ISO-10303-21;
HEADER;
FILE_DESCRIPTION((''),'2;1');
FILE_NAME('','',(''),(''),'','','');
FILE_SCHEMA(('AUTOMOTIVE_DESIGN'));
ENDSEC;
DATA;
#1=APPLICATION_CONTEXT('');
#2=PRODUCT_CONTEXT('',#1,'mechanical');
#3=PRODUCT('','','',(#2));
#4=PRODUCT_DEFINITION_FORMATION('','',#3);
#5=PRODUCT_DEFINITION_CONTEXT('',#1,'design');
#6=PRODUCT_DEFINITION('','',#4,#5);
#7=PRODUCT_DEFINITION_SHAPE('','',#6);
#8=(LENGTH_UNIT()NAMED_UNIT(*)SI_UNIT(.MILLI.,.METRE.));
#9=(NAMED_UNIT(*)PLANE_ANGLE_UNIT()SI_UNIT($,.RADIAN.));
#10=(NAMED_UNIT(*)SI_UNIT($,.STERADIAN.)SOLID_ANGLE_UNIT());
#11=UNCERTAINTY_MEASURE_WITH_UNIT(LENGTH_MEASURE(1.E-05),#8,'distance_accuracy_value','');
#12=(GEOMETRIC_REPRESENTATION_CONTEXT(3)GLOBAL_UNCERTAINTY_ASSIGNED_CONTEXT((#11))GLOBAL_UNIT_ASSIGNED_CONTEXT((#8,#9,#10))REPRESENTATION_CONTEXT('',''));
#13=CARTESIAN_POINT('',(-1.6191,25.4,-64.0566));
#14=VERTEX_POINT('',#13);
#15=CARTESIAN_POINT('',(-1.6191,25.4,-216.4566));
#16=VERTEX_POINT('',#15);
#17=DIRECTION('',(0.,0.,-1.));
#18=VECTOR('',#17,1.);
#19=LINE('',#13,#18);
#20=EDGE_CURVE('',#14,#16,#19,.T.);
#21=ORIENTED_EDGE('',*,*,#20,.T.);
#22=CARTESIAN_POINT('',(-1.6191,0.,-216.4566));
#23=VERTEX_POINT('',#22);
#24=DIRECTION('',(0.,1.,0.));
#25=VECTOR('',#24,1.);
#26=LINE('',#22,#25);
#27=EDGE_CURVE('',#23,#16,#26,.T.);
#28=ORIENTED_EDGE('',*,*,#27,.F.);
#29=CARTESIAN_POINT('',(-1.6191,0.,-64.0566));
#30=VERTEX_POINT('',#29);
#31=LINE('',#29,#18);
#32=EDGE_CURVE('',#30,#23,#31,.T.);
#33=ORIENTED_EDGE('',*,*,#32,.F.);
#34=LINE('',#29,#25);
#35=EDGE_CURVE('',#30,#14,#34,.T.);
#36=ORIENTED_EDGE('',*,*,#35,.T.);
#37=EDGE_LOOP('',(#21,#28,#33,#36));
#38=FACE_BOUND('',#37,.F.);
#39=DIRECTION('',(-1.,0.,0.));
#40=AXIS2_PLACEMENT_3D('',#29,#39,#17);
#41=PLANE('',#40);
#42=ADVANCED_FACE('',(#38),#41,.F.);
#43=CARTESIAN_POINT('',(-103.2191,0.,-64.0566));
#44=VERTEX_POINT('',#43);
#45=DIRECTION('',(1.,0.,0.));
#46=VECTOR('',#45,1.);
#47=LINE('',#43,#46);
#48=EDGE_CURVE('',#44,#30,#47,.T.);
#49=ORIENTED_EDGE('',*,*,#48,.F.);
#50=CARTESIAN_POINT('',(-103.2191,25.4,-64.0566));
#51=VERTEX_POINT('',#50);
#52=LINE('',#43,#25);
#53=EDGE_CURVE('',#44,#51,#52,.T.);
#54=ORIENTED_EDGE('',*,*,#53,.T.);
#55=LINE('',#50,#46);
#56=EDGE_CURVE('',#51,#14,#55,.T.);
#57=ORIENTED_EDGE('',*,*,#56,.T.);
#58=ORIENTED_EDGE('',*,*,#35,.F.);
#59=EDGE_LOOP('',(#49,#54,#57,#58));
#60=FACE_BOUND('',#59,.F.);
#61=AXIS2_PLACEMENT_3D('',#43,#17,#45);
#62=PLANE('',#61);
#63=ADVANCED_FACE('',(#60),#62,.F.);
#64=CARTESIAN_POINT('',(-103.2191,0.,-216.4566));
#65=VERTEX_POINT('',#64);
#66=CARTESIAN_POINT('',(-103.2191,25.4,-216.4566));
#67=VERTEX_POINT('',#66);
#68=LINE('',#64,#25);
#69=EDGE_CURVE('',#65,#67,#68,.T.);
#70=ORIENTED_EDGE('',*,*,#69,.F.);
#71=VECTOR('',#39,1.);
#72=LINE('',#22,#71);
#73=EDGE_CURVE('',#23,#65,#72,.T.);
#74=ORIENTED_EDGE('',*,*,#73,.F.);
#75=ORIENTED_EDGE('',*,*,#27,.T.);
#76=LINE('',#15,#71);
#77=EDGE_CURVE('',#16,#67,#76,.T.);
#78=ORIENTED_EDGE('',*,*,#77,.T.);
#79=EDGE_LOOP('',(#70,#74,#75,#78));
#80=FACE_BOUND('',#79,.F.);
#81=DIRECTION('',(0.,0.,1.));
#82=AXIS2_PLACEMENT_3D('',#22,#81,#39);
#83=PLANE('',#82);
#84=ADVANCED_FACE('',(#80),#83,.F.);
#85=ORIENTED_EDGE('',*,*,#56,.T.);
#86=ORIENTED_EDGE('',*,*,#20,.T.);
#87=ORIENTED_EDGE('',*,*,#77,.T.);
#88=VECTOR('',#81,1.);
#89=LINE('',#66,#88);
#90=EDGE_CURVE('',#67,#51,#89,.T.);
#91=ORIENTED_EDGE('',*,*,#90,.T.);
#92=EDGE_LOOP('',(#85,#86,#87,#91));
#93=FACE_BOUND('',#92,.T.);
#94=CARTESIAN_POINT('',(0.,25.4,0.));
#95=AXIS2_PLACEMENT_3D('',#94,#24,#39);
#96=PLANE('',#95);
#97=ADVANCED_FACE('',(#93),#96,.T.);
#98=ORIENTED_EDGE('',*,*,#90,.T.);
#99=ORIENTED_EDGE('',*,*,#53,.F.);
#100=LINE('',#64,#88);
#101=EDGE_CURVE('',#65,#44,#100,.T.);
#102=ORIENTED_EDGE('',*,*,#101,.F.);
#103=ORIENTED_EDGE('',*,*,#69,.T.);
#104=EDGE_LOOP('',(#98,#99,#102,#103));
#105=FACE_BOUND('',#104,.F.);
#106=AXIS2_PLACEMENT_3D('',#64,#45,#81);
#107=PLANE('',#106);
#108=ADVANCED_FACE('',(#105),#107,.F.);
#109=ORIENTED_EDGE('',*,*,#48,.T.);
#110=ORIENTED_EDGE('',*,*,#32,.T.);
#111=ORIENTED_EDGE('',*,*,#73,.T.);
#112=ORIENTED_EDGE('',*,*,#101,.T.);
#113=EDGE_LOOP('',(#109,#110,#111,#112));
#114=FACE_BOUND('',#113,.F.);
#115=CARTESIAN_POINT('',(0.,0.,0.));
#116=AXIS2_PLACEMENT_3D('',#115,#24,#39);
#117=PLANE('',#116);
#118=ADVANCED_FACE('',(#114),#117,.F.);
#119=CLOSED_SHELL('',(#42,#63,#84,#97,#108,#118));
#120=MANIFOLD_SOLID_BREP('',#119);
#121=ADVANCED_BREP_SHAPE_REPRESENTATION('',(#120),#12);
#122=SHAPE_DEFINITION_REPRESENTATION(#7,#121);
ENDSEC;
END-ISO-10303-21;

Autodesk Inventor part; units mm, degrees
ref_plane "YZ Plane" through (0, 0, 0) normal (1, 0, 0) x (0, 1, 0)
ref_plane "XZ Plane" through (0, 0, 0) normal (0, 1, 0) x (-1, 0, 0)
ref_plane "XY Plane" through (0, 0, 0) normal (0, 0, 1) x (1, 0, 0)
sketch "Sketch1" plane through (0, 0, 0) normal (0, 1, 0) x (-1, 0, 0)
  line L0 (103.2191, -64.0566) -> (1.6191, -64.0566)
  line L1 (1.6191, -64.0566) -> (1.6191, -216.4566)
  line L2 (1.6191, -216.4566) -> (103.2191, -216.4566)
  line L3 (103.2191, -216.4566) -> (103.2191, -64.0566)
  point P0 (0, 0)
  dimension "d0" = 152.4
  dimension "d1" = 101.6
extrude "Extrusion1" add sketch "Sketch1" along normal blind 25.4
properties part number "Part 1 (rectangular prism)"
